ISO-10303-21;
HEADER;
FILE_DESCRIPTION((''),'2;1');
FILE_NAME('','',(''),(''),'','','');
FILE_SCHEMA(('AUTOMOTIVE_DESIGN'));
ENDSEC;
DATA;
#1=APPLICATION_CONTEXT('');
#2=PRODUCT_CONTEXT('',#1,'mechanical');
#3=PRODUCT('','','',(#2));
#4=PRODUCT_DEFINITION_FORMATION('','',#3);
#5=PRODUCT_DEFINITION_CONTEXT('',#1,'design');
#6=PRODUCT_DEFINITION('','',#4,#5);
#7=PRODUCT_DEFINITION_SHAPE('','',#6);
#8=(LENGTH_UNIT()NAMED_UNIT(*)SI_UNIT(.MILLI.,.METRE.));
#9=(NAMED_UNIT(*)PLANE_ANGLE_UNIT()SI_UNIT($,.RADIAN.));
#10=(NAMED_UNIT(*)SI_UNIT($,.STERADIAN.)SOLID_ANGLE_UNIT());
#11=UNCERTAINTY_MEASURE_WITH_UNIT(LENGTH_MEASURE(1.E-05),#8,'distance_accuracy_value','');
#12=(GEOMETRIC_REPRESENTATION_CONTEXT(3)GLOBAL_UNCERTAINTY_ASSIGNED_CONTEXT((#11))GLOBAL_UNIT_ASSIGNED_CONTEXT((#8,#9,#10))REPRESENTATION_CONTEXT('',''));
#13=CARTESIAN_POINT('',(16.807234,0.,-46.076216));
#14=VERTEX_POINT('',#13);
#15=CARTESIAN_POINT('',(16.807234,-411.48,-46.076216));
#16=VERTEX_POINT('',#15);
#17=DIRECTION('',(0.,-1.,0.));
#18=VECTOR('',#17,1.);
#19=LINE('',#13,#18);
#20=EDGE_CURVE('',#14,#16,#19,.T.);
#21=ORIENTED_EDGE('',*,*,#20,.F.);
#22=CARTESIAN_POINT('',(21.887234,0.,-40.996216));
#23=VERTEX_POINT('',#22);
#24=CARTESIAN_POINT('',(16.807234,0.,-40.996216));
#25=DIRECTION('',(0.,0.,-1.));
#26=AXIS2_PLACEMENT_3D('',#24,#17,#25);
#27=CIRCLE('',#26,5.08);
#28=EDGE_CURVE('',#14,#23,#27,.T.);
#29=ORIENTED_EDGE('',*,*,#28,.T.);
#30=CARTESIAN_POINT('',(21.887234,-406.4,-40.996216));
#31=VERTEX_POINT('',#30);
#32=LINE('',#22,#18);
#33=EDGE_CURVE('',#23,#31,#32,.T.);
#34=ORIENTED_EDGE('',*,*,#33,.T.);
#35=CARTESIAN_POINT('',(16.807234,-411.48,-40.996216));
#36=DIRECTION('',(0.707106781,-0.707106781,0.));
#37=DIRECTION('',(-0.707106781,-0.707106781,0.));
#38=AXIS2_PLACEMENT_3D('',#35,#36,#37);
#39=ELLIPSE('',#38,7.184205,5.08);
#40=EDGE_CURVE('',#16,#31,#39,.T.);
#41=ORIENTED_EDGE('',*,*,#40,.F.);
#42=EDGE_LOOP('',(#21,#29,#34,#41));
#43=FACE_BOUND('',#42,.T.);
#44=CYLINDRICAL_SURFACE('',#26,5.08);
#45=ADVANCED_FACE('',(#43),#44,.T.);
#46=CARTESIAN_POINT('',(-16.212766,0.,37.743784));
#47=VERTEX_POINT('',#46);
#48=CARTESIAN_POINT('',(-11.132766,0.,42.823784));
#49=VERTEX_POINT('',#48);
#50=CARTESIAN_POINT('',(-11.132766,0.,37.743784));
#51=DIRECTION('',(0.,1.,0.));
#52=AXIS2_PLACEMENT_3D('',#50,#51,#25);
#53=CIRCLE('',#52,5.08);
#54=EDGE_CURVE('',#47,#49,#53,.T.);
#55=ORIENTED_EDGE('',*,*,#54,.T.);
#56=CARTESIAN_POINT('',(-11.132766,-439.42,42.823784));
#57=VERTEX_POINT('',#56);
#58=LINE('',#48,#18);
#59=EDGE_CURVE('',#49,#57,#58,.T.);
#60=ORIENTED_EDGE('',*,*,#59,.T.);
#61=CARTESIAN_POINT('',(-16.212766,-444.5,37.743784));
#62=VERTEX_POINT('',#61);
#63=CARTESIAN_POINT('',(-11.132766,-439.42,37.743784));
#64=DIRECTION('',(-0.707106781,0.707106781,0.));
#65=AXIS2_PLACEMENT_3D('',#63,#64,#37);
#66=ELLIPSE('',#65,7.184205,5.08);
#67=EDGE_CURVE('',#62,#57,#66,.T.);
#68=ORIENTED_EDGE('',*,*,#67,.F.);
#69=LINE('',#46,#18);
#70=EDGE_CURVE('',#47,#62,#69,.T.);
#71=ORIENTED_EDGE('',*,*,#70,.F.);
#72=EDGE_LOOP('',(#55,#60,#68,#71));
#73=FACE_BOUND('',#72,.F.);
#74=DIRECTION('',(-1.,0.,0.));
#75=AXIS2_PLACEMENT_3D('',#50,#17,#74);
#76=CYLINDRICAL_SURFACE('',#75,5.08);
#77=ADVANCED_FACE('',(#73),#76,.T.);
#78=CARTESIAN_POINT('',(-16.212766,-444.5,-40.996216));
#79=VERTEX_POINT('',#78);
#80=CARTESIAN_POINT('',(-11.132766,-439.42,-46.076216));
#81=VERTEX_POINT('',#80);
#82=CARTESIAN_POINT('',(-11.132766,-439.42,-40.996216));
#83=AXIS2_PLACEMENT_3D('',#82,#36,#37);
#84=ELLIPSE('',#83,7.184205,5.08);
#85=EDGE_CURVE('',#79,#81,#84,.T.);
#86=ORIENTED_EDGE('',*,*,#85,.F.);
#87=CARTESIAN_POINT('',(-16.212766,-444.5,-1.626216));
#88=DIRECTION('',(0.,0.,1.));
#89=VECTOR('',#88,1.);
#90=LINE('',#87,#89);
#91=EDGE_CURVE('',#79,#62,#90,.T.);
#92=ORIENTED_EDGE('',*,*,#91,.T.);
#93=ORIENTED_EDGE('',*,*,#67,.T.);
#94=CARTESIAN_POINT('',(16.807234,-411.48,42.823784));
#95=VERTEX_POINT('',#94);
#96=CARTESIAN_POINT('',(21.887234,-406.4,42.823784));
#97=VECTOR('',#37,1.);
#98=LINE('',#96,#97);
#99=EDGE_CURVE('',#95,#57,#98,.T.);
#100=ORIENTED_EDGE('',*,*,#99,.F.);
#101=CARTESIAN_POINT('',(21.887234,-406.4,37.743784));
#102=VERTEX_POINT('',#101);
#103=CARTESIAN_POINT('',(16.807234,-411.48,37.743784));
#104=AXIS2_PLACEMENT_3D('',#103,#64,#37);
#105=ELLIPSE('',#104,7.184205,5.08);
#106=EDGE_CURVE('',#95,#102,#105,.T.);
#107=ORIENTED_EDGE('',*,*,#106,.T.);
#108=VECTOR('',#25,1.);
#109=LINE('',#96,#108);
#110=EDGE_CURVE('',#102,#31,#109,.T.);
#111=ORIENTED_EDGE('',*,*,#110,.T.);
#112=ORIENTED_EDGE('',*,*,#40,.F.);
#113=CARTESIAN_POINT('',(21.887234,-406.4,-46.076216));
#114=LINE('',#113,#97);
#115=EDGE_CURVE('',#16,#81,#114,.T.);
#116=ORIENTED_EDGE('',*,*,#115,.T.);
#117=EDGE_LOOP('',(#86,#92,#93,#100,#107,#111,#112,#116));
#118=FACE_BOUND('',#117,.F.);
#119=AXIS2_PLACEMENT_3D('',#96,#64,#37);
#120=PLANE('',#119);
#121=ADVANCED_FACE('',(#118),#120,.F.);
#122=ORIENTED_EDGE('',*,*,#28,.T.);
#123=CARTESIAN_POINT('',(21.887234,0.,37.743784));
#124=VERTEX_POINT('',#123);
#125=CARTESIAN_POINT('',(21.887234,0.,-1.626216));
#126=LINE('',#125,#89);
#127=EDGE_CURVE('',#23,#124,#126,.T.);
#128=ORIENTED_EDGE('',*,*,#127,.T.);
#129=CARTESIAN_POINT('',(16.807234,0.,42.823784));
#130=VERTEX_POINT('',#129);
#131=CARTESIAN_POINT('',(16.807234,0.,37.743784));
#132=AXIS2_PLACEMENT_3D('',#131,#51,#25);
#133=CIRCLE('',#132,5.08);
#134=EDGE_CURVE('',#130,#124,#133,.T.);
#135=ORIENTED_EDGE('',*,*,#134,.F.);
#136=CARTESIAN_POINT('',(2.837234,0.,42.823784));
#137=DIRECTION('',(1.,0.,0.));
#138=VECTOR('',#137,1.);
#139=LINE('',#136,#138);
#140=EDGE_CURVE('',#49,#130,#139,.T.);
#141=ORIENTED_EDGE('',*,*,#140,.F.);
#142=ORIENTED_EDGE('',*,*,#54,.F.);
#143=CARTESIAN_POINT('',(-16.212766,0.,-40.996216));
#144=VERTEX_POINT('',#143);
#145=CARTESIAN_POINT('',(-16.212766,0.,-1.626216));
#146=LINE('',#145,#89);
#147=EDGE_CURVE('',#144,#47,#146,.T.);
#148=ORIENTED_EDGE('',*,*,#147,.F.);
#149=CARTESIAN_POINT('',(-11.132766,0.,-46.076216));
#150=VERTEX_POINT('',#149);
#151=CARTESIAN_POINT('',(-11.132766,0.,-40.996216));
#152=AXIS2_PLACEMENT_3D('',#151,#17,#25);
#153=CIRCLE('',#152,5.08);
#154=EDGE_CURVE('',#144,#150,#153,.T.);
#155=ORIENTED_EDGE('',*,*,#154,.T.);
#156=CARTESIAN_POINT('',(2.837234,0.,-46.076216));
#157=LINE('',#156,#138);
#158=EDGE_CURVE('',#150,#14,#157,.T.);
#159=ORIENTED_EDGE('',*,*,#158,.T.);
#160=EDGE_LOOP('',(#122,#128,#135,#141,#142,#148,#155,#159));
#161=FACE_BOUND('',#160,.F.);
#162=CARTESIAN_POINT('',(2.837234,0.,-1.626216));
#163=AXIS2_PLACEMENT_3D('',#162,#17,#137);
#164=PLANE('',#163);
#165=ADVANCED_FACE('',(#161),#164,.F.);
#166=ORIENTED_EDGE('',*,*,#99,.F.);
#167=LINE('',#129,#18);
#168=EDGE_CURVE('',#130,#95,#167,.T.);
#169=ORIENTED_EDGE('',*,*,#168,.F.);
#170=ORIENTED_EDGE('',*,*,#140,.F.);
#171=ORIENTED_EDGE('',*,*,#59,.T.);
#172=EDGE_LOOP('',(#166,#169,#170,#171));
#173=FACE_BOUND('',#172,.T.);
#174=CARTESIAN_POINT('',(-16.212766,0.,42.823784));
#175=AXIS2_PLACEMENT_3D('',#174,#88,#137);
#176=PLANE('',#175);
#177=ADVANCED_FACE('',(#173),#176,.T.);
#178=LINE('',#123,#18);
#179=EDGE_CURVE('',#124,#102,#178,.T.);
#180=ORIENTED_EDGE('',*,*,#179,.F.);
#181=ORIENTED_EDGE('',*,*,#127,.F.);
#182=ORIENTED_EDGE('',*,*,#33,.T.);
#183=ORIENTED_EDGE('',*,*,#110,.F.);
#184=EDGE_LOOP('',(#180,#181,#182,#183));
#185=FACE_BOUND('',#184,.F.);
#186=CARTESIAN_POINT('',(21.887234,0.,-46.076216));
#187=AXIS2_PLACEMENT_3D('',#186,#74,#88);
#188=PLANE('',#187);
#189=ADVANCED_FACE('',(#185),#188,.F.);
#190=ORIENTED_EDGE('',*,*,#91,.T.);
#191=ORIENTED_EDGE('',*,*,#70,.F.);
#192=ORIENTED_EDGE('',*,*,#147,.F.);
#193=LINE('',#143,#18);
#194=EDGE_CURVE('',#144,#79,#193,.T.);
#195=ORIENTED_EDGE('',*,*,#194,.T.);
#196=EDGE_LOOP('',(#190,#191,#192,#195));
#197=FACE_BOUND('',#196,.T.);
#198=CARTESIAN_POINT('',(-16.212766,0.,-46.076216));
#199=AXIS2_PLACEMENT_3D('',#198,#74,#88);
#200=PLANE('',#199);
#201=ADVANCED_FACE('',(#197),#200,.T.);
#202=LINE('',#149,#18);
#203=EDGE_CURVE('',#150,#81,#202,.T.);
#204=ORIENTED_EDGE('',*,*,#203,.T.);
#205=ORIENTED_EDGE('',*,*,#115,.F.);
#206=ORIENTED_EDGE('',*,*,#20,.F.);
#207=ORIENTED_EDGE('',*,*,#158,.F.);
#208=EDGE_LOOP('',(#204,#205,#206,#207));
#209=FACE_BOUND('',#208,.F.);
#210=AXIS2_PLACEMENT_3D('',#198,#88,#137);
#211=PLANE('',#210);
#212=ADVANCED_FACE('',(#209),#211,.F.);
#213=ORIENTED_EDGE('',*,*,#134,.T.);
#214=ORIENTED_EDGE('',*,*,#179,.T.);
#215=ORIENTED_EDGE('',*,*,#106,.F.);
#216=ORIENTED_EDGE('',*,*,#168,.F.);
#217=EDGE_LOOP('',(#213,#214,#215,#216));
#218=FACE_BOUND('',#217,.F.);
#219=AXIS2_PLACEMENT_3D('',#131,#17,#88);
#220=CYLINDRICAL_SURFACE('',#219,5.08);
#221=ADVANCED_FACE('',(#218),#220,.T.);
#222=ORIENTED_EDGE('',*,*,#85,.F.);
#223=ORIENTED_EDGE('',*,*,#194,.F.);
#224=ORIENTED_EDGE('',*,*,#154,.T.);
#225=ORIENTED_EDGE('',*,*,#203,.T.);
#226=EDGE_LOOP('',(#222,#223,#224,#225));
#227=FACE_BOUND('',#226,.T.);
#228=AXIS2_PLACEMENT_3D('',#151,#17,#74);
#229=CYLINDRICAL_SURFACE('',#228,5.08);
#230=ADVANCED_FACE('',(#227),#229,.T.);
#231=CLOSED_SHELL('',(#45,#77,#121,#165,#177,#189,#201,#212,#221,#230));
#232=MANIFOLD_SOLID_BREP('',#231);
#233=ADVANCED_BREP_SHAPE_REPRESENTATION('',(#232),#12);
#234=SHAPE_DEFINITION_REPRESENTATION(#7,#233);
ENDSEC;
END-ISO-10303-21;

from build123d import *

# Parameters (mm, degrees)
F0_W     = 38.1
F0_H     = 88.9
F1_DEPTH = 444.5
F3_DEPTH = 88.9
F4_R     = 5.08


with BuildPart() as f1:
    # F0 (on Front) → F1 (new body)
    with BuildSketch(Plane.XZ):
        with Locations((2.837234, -1.626216)):
            Rectangle(F0_W, F0_H)
    extrude(amount=F1_DEPTH)

    # F2 (on face) → F3 (cut)
    with BuildSketch(Plane.XY.offset(42.823784)):
        Polygon((21.887234, -406.4), (-16.212766, -444.5), (21.887234, -444.5), align=None)
    extrude(amount=-F3_DEPTH, mode=Mode.SUBTRACT)

    # F4
    f4_edges = [f1.edges().sort_by_distance(p)[0] for p in [
        (21.887234, -203.2, 42.823784),
        (21.887234, -203.2, -46.076216),
        (-16.212766, -222.25, 42.823784),
        (-16.212766, -222.25, -46.076216),
    ]]
    fillet(f4_edges, radius=F4_R)


solid = f1.part
